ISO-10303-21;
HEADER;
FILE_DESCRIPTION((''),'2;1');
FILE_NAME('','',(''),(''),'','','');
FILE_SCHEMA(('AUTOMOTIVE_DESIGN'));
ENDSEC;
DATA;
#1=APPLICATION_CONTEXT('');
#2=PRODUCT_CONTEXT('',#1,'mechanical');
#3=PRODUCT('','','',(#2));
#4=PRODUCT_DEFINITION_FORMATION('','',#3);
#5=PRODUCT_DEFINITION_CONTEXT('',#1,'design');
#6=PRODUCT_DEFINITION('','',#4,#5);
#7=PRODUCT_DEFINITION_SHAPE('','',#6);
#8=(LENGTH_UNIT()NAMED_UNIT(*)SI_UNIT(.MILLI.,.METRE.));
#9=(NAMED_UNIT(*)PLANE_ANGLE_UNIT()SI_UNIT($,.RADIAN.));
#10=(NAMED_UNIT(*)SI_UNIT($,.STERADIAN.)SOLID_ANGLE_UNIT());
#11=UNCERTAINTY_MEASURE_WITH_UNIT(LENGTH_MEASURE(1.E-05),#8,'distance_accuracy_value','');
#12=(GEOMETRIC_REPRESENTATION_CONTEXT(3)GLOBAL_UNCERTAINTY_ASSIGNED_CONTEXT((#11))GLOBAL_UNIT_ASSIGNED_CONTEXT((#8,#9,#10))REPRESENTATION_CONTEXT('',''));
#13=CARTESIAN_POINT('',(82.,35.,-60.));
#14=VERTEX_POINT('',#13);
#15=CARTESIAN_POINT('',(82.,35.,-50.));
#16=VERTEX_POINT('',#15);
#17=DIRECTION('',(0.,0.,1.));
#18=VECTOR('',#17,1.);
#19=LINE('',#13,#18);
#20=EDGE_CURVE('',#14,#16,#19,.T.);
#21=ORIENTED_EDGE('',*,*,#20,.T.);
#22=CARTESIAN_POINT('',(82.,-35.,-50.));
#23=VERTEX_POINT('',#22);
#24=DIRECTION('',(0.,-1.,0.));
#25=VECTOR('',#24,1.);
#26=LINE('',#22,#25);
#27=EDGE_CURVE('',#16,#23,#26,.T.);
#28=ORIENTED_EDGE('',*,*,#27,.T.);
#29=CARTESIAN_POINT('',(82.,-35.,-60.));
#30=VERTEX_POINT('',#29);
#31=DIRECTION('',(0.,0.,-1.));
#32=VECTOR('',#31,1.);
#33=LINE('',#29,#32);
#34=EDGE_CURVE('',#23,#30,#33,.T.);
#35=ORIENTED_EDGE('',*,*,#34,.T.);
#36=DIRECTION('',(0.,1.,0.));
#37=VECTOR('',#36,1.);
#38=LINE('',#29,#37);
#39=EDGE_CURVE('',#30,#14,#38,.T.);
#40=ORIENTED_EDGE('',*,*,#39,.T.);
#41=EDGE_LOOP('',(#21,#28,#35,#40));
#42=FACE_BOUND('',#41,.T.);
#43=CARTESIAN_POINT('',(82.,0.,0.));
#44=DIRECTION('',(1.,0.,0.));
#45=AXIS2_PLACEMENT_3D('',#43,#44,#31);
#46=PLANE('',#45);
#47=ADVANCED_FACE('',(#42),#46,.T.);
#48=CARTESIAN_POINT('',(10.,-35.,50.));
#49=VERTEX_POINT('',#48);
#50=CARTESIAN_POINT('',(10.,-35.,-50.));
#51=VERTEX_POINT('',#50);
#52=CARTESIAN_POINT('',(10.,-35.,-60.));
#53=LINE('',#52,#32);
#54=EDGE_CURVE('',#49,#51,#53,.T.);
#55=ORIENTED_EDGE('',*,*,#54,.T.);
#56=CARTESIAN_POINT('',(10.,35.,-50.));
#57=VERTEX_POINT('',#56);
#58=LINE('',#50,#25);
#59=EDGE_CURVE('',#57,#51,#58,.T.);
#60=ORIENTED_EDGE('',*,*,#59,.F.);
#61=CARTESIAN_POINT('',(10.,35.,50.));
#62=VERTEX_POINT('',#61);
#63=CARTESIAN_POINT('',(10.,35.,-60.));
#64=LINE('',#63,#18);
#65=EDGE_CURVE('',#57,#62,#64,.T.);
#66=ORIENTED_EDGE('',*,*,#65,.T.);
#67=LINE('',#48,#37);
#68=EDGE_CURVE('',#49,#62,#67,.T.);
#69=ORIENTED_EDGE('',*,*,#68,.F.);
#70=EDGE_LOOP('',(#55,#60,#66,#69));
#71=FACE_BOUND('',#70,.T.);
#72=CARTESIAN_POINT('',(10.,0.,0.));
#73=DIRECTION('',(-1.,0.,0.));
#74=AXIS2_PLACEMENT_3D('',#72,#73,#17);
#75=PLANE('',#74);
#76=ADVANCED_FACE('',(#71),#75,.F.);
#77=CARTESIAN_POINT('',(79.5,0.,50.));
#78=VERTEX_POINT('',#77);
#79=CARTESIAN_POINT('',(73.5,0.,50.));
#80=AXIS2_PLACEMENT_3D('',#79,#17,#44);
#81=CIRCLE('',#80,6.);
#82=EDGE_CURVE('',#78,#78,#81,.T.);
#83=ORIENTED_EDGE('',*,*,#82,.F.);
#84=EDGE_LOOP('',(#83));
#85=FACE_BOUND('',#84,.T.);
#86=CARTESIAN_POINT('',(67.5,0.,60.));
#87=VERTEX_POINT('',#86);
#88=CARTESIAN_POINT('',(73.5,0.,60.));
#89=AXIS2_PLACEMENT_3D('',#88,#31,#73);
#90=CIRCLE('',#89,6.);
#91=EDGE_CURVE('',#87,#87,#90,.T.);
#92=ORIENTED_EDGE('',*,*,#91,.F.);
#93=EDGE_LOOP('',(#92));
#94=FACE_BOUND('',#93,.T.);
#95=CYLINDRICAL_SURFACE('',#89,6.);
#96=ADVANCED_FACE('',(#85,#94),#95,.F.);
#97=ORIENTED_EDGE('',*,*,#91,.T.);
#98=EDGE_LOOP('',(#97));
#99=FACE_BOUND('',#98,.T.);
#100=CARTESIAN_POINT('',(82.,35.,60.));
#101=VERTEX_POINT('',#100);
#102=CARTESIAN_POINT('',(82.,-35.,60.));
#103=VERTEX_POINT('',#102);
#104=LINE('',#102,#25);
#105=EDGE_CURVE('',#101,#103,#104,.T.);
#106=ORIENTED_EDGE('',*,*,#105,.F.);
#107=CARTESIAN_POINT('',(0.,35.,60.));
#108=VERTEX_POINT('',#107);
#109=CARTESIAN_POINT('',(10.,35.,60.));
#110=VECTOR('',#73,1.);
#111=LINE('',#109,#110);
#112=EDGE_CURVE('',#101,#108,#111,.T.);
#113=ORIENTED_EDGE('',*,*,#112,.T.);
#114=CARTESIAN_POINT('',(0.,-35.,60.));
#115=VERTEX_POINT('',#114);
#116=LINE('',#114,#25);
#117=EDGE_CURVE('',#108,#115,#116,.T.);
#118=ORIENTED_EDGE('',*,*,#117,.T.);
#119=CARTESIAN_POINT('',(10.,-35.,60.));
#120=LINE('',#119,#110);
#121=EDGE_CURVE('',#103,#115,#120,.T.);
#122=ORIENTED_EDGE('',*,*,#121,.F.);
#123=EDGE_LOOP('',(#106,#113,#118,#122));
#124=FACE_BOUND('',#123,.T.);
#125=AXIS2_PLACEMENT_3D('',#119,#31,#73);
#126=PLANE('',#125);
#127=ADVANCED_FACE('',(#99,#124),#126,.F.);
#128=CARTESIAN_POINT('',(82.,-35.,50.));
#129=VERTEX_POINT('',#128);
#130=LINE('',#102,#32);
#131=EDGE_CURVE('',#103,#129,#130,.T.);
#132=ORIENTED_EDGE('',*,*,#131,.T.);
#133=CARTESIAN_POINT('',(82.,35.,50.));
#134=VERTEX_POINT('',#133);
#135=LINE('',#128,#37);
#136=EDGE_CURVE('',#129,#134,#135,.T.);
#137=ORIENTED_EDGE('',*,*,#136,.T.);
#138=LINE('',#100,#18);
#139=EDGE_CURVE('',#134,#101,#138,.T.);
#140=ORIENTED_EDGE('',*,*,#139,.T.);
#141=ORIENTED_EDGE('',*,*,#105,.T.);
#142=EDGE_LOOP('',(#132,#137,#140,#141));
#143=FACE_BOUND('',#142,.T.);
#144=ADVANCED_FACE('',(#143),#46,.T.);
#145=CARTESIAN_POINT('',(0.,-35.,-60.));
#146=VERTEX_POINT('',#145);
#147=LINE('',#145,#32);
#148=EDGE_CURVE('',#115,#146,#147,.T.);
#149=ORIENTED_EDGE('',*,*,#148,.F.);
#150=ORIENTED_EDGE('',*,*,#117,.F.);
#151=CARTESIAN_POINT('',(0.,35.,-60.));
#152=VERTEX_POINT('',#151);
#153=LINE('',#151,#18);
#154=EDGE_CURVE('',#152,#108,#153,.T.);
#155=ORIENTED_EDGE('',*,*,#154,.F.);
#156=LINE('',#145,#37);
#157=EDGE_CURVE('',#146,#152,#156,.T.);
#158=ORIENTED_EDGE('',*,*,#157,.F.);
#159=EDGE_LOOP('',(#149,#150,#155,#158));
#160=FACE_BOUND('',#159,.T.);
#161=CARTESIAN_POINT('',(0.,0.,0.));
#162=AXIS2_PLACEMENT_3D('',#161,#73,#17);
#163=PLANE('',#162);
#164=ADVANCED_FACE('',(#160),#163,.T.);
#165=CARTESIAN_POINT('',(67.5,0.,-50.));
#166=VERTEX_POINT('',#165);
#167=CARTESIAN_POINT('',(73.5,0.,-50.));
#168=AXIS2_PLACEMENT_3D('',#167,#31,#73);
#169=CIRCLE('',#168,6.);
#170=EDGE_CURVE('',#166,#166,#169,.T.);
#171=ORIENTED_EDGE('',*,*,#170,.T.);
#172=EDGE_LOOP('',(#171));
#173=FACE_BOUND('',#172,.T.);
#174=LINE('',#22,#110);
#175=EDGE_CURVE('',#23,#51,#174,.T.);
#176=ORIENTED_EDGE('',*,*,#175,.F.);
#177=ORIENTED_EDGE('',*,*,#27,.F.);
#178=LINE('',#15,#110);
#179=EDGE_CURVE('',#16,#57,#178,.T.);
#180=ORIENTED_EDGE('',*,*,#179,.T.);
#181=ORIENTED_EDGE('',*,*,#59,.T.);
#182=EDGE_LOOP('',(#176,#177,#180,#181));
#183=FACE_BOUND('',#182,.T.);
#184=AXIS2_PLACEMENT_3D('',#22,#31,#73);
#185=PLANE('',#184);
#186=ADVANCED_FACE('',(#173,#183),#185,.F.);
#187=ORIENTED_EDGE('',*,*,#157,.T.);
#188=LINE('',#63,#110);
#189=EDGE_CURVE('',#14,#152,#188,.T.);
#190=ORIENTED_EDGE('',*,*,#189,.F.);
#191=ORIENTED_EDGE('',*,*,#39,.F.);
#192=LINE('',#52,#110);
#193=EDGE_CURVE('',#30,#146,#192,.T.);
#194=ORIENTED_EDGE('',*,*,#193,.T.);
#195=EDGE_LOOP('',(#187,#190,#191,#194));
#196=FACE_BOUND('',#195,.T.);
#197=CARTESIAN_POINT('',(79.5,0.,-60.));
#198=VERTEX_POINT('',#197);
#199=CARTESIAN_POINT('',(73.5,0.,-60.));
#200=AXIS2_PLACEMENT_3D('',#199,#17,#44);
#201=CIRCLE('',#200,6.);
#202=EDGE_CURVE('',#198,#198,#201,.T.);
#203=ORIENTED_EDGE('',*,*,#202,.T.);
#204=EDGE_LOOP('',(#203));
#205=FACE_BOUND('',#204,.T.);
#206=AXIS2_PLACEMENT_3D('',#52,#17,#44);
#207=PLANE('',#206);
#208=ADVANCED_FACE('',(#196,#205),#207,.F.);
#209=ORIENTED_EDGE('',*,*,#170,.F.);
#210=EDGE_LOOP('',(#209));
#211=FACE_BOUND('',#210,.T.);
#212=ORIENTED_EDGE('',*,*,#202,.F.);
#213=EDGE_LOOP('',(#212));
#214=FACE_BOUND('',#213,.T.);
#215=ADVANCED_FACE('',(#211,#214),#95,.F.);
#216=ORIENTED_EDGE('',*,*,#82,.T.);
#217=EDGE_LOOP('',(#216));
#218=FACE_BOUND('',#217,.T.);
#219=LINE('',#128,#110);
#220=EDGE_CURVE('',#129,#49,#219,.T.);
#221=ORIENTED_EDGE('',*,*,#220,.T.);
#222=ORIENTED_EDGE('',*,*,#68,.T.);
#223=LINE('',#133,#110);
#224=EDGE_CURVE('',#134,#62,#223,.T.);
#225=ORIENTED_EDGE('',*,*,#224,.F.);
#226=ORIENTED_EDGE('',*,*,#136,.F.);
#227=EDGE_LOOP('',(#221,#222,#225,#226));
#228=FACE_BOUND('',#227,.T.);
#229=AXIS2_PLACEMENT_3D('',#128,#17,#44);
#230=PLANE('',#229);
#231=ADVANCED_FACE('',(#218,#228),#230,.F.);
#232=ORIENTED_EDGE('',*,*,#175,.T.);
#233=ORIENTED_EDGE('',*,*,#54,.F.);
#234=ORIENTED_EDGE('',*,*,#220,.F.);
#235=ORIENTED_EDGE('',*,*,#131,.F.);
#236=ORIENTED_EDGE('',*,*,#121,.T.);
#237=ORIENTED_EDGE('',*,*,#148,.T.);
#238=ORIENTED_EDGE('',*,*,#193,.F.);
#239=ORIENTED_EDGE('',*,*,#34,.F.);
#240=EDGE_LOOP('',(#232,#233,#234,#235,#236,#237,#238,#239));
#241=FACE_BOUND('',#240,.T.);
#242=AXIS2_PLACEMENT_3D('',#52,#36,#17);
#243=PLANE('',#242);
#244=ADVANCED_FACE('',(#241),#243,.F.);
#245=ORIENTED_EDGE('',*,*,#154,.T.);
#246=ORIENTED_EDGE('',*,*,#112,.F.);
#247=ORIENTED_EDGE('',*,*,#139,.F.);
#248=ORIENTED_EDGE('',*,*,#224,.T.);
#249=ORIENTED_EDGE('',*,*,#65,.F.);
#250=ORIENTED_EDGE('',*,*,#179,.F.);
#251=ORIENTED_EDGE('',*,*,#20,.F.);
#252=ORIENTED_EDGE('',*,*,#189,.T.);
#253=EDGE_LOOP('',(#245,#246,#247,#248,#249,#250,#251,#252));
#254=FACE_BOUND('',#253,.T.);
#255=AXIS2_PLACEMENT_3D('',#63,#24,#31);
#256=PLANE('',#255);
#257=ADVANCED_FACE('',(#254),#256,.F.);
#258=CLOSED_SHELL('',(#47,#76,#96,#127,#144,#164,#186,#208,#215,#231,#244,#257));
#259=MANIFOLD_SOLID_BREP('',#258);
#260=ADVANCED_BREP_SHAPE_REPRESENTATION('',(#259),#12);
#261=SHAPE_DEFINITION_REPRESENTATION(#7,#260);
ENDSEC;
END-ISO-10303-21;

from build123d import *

# Parameters (mm, degrees)
SKETCH1_W               = 70
SKETCH1_H               = 120
BOSS_EXTRUDE3_DEPTH     = 10
SKETCH3_W               = 70
SKETCH3_H               = 10
BOSS_EXTRUDE4_DEPTH     = 72
CUT_EXTRUDE1_DEPTH      = 150.49581934
CUT_EXTRUDE1_DEPTH_BACK = 150.49581934
SKETCH4_R               = 6


with BuildPart() as part:
    # Sketch1 → Boss-Extrude3 (new body)
    with BuildSketch(Plane.YZ):
        Rectangle(SKETCH1_W, SKETCH1_H)
    extrude(amount=BOSS_EXTRUDE3_DEPTH)

    # Sketch3 → Boss-Extrude4 (add)
    with BuildSketch(Plane.YZ.offset(10)):
        with Locations((0, 55)):
            Rectangle(SKETCH3_W, SKETCH3_H)
        with Locations((0, -55)):
            Rectangle(SKETCH3_W, SKETCH3_H)
    extrude(amount=BOSS_EXTRUDE4_DEPTH)

    # Sketch4 → Cut-Extrude1 (cut, two sides: drawn at the far end of the back side and taken through both)
    with BuildSketch(Plane(origin=(0, 0, -60), x_dir=(1, 0, 0), z_dir=(0, 0, -1)).offset(-CUT_EXTRUDE1_DEPTH_BACK)):
        with Locations(Location((73.5, 0, 0), (0, 0, 180))):
            Circle(SKETCH4_R)
    extrude(amount=CUT_EXTRUDE1_DEPTH + CUT_EXTRUDE1_DEPTH_BACK, mode=Mode.SUBTRACT)


solid = part.part
